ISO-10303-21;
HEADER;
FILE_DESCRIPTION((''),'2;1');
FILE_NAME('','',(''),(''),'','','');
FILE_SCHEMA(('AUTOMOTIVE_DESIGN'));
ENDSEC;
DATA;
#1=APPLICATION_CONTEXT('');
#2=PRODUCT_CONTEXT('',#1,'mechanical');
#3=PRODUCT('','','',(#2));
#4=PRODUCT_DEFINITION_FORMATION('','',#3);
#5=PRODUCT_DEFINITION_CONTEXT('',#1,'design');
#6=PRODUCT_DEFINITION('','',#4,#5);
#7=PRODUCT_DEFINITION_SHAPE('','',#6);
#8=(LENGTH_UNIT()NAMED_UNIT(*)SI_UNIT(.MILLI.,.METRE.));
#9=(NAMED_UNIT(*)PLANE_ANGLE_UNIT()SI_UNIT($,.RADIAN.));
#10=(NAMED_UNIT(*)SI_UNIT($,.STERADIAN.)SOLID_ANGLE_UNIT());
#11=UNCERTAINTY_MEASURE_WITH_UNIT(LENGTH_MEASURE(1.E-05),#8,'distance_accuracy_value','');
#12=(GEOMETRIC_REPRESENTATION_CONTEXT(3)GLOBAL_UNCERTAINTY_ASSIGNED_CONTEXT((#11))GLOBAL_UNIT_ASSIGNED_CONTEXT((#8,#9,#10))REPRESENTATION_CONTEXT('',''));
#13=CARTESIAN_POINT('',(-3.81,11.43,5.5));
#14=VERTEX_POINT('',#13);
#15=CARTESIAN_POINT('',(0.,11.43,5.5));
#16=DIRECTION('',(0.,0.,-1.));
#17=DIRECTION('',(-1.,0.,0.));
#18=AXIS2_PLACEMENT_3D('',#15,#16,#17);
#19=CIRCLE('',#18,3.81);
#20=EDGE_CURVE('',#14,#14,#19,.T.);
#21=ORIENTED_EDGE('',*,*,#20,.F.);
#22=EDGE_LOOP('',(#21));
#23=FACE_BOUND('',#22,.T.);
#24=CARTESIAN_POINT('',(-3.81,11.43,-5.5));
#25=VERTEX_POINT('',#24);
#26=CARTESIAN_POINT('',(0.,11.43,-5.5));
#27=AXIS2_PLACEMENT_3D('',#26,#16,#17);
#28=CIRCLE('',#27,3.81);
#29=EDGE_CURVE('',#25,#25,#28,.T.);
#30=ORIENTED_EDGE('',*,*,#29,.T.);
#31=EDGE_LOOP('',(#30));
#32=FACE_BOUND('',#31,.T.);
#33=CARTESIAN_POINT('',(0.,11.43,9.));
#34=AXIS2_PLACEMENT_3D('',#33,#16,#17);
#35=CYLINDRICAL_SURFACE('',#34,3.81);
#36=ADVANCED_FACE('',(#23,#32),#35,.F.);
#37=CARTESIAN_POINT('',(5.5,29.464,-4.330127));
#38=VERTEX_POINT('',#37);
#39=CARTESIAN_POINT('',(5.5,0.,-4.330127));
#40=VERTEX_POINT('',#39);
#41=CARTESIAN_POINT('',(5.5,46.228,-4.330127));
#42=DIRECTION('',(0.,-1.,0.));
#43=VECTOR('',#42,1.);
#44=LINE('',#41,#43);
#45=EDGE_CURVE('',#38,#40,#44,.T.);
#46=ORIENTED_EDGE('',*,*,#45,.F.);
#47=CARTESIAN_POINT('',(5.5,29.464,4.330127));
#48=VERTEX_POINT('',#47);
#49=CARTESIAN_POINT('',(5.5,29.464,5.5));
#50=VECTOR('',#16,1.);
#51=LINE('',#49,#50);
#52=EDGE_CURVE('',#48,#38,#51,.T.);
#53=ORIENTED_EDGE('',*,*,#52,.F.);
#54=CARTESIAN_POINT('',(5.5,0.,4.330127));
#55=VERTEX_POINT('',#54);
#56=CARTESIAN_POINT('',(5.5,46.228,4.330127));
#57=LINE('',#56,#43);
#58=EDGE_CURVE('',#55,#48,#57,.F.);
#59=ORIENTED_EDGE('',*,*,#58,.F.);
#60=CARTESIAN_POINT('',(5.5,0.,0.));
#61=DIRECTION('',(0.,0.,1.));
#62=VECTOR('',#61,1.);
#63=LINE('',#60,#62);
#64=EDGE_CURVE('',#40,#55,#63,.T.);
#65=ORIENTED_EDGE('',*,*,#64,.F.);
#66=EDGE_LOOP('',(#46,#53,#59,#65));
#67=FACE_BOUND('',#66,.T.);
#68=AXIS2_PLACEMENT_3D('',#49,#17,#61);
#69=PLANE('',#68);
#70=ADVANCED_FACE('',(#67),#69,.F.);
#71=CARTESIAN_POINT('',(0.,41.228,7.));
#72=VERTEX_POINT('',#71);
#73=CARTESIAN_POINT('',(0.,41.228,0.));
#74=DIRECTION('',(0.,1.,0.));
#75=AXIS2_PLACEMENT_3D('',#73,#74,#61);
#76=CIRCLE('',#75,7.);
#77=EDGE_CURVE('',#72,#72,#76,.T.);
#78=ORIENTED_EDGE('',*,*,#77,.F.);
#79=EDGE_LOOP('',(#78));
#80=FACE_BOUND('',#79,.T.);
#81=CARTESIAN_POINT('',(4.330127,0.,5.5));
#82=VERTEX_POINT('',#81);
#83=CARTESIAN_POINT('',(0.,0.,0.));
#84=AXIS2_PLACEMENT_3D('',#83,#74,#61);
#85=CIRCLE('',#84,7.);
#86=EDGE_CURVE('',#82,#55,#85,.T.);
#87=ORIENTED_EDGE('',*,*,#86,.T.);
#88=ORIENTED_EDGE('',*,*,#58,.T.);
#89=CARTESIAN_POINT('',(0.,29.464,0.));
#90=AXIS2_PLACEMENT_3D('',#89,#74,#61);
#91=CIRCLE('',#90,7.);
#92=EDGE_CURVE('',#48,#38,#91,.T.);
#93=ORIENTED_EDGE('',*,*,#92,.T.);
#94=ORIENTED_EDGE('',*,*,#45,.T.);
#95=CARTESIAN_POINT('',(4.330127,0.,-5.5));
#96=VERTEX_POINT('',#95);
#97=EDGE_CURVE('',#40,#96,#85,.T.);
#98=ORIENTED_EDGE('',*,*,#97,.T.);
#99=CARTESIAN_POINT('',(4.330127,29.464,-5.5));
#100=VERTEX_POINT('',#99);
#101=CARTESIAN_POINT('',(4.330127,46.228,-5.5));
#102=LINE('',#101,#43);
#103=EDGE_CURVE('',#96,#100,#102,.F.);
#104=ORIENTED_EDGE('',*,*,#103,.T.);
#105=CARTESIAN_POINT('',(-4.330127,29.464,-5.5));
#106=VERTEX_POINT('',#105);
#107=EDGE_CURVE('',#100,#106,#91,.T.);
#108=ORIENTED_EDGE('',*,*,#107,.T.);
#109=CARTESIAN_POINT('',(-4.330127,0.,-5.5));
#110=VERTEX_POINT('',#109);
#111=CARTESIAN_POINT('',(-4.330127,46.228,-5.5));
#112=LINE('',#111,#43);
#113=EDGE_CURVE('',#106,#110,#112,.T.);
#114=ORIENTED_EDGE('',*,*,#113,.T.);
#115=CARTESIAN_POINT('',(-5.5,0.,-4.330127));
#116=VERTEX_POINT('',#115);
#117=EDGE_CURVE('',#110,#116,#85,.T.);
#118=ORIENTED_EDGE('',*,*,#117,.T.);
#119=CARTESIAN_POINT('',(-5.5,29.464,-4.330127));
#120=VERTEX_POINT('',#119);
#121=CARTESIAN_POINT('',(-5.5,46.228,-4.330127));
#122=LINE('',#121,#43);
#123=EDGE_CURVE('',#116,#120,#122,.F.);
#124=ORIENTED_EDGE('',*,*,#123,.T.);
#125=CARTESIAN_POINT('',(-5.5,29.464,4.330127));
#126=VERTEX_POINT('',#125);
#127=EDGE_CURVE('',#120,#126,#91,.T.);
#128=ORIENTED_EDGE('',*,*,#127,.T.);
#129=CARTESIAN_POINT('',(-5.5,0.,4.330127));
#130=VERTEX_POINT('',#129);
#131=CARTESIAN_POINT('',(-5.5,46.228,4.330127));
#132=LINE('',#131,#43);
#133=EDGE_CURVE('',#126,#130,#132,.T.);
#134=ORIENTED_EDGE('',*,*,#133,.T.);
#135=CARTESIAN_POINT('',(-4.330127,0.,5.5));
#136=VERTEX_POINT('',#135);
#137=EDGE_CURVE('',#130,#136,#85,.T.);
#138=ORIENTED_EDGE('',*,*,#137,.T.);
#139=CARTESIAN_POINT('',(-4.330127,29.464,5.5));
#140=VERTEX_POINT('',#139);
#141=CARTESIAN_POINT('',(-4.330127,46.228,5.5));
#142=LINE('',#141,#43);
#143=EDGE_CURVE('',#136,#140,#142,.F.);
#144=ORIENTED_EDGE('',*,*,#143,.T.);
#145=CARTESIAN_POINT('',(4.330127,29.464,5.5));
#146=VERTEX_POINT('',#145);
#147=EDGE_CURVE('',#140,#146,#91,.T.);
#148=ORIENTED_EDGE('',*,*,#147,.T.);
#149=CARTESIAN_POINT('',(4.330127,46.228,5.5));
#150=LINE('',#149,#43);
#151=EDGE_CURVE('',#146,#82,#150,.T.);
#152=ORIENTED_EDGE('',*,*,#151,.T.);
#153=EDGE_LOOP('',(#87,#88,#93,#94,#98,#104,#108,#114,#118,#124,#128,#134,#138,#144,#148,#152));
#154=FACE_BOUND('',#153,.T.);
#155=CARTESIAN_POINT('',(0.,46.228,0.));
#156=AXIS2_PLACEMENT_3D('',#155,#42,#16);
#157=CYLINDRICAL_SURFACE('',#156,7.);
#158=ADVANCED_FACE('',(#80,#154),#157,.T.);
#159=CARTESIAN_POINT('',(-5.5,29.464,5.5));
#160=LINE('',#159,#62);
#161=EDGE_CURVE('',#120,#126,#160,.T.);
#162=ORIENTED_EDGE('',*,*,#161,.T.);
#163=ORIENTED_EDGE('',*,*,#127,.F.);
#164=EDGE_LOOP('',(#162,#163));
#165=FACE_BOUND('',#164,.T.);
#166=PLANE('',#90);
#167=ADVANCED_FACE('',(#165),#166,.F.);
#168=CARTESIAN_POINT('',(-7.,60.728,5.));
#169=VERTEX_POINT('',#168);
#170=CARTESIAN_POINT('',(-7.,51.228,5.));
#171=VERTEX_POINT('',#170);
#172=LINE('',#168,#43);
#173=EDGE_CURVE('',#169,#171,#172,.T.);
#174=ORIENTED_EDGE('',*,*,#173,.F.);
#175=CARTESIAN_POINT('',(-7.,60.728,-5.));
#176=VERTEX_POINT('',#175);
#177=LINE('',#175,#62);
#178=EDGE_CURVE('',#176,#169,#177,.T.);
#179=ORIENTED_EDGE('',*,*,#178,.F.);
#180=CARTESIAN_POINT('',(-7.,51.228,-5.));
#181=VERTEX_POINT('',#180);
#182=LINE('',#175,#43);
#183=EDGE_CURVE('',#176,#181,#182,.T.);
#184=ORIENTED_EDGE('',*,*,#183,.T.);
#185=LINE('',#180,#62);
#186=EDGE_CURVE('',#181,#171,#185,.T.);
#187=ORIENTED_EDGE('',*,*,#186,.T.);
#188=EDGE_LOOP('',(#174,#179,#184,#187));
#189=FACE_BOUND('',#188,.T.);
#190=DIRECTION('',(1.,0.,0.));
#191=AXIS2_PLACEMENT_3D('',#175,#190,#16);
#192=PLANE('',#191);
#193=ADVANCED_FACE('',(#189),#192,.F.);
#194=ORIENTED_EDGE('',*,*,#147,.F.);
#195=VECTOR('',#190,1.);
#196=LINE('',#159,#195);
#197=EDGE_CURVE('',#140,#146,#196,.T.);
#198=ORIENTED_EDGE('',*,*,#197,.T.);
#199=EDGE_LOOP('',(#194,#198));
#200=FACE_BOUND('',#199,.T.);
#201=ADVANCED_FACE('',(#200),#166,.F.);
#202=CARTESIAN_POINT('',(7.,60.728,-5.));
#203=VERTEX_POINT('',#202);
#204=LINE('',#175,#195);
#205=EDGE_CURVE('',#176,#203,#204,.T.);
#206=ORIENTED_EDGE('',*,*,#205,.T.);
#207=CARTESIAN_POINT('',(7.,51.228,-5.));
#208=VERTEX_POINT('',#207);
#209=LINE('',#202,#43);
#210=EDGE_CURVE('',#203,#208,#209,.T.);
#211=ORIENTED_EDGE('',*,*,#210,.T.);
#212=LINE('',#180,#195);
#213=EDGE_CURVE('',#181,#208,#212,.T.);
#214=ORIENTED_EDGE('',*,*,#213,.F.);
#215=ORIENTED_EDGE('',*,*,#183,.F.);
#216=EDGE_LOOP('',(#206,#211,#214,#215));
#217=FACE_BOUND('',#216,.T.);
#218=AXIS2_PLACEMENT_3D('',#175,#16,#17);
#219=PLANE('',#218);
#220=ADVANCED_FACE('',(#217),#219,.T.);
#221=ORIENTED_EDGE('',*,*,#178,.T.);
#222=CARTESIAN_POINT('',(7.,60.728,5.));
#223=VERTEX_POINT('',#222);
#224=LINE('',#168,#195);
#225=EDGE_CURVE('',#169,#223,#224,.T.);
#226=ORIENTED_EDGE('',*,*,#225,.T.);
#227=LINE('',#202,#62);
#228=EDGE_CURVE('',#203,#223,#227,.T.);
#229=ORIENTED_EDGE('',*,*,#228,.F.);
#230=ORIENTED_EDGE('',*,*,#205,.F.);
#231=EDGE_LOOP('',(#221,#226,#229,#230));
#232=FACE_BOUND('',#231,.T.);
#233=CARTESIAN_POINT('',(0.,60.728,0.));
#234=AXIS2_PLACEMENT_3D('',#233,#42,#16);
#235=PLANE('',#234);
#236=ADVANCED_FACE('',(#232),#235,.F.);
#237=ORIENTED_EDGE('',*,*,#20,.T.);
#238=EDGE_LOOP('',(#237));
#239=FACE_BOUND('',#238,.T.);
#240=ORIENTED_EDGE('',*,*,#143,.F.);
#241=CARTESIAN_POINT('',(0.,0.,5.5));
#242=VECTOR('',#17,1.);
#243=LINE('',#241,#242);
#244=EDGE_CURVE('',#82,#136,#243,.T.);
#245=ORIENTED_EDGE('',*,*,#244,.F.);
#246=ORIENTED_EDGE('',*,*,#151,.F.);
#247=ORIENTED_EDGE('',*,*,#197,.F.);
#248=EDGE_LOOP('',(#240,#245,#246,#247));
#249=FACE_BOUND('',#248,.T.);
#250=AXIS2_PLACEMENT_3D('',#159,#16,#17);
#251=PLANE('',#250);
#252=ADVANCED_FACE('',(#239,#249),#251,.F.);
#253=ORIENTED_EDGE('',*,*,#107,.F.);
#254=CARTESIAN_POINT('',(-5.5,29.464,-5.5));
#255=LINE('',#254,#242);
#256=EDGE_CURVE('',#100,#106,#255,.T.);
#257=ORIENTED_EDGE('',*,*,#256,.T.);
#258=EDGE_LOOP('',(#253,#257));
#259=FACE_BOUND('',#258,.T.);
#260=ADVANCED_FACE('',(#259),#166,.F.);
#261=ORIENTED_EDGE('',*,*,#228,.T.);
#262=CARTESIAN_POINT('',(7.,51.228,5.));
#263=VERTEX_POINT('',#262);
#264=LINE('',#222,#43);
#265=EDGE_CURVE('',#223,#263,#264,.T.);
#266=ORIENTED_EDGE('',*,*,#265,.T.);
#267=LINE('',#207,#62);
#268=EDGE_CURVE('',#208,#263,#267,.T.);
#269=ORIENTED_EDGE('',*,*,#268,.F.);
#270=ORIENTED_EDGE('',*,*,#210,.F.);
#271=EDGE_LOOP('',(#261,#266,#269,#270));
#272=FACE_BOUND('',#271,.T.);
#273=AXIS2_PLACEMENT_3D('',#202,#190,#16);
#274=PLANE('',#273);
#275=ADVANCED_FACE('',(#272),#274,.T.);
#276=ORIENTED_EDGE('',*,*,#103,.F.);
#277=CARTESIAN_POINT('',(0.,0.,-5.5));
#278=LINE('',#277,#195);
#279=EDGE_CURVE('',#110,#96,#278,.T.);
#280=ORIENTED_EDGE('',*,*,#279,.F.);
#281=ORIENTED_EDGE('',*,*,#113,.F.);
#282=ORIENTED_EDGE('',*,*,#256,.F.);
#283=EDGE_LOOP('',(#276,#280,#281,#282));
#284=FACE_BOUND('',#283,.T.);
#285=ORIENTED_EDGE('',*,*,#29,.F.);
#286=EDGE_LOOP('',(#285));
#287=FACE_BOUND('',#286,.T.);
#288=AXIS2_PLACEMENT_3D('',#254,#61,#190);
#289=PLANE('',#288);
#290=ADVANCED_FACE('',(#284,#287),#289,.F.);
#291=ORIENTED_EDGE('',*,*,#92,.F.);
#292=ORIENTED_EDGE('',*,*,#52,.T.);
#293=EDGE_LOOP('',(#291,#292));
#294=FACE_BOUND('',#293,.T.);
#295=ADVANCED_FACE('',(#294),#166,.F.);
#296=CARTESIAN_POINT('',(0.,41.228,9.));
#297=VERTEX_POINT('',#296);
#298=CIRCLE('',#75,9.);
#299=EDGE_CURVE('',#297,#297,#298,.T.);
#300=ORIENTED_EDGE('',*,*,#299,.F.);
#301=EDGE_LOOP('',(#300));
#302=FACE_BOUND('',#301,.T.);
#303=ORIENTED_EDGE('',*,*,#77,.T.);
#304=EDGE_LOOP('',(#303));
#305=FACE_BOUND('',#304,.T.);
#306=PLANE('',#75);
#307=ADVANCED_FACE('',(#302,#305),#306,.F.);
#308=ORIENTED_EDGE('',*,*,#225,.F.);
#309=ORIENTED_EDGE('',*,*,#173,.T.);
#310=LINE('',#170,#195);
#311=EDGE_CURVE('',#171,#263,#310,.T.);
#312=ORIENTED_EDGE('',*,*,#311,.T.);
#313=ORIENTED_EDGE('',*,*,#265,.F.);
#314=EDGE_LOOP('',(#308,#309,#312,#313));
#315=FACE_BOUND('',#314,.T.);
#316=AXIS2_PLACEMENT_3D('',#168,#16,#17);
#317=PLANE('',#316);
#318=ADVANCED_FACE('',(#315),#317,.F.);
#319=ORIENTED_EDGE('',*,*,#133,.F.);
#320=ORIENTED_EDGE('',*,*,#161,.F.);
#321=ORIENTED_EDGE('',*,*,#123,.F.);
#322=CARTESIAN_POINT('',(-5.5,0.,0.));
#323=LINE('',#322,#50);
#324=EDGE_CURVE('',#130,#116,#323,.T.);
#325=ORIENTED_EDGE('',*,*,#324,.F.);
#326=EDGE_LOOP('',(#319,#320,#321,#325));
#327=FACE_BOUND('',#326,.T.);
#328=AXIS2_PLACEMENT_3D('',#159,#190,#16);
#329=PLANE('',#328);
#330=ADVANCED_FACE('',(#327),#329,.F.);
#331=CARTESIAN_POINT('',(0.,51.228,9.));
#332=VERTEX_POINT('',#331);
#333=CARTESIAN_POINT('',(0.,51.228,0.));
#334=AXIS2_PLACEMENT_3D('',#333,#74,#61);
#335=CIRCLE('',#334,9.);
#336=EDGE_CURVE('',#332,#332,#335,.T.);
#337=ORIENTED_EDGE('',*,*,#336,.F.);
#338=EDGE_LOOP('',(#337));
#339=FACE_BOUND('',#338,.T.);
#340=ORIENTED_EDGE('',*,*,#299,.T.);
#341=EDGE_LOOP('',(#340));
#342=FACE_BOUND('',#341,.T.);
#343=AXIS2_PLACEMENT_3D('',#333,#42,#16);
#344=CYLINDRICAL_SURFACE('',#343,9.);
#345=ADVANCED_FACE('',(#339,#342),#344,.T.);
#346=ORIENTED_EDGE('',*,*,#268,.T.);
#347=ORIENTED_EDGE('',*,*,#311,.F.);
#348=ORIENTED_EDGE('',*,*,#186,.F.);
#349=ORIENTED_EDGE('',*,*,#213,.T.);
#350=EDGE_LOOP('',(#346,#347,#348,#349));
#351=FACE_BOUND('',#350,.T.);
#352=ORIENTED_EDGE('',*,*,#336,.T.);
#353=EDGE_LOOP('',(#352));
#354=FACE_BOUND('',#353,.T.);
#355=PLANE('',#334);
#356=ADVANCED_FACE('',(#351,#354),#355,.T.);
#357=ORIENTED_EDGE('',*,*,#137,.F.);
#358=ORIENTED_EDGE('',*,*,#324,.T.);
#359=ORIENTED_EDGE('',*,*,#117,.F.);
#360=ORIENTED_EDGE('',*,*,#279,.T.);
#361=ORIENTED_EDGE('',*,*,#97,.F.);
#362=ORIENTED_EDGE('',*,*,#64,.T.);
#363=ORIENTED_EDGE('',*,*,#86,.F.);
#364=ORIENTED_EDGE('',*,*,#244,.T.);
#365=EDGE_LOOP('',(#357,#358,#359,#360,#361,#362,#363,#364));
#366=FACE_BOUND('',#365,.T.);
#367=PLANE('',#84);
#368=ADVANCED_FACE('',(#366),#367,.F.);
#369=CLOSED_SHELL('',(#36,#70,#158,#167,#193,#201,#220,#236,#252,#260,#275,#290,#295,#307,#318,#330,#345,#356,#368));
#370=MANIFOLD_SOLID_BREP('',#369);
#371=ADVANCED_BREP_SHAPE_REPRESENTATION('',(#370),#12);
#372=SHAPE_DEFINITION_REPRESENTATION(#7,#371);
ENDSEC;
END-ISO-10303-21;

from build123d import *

# Parameters (mm, degrees)
SKETCH1_R           = 7
BOSS_EXTRUDE1_DEPTH = 46.228
SKETCH2_R           = 9
BOSS_EXTRUDE2_DEPTH = 5
SKETCH3_W           = 14
SKETCH3_H           = 10
BOSS_EXTRUDE3_DEPTH = 9.5
SKETCH4_OUTSIDE_W   = 33.17
SKETCH4_OUTSIDE_H   = 33.17
SKETCH4_OUTSIDE_W_2 = 11
SKETCH4_OUTSIDE_H_2 = 11
CUT_EXTRUDE1_DEPTH  = 29.464
SKETCH5_R           = 3.81
CUT_EXTRUDE2_DEPTH  = 64.080424729


with BuildPart() as part:
    # Sketch1 → Boss-Extrude1 (new body)
    with BuildSketch(Plane(origin=(0, 0, 0), x_dir=(1, 0, 0), z_dir=(0, 1, 0))):
        Circle(SKETCH1_R)
    extrude(amount=BOSS_EXTRUDE1_DEPTH)

    # Sketch2 → Boss-Extrude2 (add, symmetric)
    with BuildSketch(Plane(origin=(0, 46.228, 0), x_dir=(1, 0, 0), z_dir=(0, 1, 0))):
        Circle(SKETCH2_R)
    extrude(amount=BOSS_EXTRUDE2_DEPTH, both=True)

    # Sketch3 → Boss-Extrude3 (add)
    with BuildSketch(Plane(origin=(0, 51.228, 0), x_dir=(1, 0, 0), z_dir=(0, 1, 0))):
        Rectangle(SKETCH3_W, SKETCH3_H)
    extrude(amount=BOSS_EXTRUDE3_DEPTH)

    # Sketch4 outside → Cut-Extrude1 (cut)
    with BuildSketch(Plane(origin=(0, 0, 0), x_dir=(1, 0, 0), z_dir=(0, 1, 0))):
        Rectangle(SKETCH4_OUTSIDE_W, SKETCH4_OUTSIDE_H)
        Rectangle(SKETCH4_OUTSIDE_W_2, SKETCH4_OUTSIDE_H_2, mode=Mode.SUBTRACT)
    extrude(amount=CUT_EXTRUDE1_DEPTH, mode=Mode.SUBTRACT)

    # Sketch5 → Cut-Extrude2 (cut, through all)
    with BuildSketch(Plane(origin=(0, 0, -5.5), x_dir=(-1, 0, 0), z_dir=(0, 0, -1))):
        with Locations((0, 11.43)):
            Circle(SKETCH5_R)
    extrude(amount=-CUT_EXTRUDE2_DEPTH, mode=Mode.SUBTRACT)


solid = part.part
